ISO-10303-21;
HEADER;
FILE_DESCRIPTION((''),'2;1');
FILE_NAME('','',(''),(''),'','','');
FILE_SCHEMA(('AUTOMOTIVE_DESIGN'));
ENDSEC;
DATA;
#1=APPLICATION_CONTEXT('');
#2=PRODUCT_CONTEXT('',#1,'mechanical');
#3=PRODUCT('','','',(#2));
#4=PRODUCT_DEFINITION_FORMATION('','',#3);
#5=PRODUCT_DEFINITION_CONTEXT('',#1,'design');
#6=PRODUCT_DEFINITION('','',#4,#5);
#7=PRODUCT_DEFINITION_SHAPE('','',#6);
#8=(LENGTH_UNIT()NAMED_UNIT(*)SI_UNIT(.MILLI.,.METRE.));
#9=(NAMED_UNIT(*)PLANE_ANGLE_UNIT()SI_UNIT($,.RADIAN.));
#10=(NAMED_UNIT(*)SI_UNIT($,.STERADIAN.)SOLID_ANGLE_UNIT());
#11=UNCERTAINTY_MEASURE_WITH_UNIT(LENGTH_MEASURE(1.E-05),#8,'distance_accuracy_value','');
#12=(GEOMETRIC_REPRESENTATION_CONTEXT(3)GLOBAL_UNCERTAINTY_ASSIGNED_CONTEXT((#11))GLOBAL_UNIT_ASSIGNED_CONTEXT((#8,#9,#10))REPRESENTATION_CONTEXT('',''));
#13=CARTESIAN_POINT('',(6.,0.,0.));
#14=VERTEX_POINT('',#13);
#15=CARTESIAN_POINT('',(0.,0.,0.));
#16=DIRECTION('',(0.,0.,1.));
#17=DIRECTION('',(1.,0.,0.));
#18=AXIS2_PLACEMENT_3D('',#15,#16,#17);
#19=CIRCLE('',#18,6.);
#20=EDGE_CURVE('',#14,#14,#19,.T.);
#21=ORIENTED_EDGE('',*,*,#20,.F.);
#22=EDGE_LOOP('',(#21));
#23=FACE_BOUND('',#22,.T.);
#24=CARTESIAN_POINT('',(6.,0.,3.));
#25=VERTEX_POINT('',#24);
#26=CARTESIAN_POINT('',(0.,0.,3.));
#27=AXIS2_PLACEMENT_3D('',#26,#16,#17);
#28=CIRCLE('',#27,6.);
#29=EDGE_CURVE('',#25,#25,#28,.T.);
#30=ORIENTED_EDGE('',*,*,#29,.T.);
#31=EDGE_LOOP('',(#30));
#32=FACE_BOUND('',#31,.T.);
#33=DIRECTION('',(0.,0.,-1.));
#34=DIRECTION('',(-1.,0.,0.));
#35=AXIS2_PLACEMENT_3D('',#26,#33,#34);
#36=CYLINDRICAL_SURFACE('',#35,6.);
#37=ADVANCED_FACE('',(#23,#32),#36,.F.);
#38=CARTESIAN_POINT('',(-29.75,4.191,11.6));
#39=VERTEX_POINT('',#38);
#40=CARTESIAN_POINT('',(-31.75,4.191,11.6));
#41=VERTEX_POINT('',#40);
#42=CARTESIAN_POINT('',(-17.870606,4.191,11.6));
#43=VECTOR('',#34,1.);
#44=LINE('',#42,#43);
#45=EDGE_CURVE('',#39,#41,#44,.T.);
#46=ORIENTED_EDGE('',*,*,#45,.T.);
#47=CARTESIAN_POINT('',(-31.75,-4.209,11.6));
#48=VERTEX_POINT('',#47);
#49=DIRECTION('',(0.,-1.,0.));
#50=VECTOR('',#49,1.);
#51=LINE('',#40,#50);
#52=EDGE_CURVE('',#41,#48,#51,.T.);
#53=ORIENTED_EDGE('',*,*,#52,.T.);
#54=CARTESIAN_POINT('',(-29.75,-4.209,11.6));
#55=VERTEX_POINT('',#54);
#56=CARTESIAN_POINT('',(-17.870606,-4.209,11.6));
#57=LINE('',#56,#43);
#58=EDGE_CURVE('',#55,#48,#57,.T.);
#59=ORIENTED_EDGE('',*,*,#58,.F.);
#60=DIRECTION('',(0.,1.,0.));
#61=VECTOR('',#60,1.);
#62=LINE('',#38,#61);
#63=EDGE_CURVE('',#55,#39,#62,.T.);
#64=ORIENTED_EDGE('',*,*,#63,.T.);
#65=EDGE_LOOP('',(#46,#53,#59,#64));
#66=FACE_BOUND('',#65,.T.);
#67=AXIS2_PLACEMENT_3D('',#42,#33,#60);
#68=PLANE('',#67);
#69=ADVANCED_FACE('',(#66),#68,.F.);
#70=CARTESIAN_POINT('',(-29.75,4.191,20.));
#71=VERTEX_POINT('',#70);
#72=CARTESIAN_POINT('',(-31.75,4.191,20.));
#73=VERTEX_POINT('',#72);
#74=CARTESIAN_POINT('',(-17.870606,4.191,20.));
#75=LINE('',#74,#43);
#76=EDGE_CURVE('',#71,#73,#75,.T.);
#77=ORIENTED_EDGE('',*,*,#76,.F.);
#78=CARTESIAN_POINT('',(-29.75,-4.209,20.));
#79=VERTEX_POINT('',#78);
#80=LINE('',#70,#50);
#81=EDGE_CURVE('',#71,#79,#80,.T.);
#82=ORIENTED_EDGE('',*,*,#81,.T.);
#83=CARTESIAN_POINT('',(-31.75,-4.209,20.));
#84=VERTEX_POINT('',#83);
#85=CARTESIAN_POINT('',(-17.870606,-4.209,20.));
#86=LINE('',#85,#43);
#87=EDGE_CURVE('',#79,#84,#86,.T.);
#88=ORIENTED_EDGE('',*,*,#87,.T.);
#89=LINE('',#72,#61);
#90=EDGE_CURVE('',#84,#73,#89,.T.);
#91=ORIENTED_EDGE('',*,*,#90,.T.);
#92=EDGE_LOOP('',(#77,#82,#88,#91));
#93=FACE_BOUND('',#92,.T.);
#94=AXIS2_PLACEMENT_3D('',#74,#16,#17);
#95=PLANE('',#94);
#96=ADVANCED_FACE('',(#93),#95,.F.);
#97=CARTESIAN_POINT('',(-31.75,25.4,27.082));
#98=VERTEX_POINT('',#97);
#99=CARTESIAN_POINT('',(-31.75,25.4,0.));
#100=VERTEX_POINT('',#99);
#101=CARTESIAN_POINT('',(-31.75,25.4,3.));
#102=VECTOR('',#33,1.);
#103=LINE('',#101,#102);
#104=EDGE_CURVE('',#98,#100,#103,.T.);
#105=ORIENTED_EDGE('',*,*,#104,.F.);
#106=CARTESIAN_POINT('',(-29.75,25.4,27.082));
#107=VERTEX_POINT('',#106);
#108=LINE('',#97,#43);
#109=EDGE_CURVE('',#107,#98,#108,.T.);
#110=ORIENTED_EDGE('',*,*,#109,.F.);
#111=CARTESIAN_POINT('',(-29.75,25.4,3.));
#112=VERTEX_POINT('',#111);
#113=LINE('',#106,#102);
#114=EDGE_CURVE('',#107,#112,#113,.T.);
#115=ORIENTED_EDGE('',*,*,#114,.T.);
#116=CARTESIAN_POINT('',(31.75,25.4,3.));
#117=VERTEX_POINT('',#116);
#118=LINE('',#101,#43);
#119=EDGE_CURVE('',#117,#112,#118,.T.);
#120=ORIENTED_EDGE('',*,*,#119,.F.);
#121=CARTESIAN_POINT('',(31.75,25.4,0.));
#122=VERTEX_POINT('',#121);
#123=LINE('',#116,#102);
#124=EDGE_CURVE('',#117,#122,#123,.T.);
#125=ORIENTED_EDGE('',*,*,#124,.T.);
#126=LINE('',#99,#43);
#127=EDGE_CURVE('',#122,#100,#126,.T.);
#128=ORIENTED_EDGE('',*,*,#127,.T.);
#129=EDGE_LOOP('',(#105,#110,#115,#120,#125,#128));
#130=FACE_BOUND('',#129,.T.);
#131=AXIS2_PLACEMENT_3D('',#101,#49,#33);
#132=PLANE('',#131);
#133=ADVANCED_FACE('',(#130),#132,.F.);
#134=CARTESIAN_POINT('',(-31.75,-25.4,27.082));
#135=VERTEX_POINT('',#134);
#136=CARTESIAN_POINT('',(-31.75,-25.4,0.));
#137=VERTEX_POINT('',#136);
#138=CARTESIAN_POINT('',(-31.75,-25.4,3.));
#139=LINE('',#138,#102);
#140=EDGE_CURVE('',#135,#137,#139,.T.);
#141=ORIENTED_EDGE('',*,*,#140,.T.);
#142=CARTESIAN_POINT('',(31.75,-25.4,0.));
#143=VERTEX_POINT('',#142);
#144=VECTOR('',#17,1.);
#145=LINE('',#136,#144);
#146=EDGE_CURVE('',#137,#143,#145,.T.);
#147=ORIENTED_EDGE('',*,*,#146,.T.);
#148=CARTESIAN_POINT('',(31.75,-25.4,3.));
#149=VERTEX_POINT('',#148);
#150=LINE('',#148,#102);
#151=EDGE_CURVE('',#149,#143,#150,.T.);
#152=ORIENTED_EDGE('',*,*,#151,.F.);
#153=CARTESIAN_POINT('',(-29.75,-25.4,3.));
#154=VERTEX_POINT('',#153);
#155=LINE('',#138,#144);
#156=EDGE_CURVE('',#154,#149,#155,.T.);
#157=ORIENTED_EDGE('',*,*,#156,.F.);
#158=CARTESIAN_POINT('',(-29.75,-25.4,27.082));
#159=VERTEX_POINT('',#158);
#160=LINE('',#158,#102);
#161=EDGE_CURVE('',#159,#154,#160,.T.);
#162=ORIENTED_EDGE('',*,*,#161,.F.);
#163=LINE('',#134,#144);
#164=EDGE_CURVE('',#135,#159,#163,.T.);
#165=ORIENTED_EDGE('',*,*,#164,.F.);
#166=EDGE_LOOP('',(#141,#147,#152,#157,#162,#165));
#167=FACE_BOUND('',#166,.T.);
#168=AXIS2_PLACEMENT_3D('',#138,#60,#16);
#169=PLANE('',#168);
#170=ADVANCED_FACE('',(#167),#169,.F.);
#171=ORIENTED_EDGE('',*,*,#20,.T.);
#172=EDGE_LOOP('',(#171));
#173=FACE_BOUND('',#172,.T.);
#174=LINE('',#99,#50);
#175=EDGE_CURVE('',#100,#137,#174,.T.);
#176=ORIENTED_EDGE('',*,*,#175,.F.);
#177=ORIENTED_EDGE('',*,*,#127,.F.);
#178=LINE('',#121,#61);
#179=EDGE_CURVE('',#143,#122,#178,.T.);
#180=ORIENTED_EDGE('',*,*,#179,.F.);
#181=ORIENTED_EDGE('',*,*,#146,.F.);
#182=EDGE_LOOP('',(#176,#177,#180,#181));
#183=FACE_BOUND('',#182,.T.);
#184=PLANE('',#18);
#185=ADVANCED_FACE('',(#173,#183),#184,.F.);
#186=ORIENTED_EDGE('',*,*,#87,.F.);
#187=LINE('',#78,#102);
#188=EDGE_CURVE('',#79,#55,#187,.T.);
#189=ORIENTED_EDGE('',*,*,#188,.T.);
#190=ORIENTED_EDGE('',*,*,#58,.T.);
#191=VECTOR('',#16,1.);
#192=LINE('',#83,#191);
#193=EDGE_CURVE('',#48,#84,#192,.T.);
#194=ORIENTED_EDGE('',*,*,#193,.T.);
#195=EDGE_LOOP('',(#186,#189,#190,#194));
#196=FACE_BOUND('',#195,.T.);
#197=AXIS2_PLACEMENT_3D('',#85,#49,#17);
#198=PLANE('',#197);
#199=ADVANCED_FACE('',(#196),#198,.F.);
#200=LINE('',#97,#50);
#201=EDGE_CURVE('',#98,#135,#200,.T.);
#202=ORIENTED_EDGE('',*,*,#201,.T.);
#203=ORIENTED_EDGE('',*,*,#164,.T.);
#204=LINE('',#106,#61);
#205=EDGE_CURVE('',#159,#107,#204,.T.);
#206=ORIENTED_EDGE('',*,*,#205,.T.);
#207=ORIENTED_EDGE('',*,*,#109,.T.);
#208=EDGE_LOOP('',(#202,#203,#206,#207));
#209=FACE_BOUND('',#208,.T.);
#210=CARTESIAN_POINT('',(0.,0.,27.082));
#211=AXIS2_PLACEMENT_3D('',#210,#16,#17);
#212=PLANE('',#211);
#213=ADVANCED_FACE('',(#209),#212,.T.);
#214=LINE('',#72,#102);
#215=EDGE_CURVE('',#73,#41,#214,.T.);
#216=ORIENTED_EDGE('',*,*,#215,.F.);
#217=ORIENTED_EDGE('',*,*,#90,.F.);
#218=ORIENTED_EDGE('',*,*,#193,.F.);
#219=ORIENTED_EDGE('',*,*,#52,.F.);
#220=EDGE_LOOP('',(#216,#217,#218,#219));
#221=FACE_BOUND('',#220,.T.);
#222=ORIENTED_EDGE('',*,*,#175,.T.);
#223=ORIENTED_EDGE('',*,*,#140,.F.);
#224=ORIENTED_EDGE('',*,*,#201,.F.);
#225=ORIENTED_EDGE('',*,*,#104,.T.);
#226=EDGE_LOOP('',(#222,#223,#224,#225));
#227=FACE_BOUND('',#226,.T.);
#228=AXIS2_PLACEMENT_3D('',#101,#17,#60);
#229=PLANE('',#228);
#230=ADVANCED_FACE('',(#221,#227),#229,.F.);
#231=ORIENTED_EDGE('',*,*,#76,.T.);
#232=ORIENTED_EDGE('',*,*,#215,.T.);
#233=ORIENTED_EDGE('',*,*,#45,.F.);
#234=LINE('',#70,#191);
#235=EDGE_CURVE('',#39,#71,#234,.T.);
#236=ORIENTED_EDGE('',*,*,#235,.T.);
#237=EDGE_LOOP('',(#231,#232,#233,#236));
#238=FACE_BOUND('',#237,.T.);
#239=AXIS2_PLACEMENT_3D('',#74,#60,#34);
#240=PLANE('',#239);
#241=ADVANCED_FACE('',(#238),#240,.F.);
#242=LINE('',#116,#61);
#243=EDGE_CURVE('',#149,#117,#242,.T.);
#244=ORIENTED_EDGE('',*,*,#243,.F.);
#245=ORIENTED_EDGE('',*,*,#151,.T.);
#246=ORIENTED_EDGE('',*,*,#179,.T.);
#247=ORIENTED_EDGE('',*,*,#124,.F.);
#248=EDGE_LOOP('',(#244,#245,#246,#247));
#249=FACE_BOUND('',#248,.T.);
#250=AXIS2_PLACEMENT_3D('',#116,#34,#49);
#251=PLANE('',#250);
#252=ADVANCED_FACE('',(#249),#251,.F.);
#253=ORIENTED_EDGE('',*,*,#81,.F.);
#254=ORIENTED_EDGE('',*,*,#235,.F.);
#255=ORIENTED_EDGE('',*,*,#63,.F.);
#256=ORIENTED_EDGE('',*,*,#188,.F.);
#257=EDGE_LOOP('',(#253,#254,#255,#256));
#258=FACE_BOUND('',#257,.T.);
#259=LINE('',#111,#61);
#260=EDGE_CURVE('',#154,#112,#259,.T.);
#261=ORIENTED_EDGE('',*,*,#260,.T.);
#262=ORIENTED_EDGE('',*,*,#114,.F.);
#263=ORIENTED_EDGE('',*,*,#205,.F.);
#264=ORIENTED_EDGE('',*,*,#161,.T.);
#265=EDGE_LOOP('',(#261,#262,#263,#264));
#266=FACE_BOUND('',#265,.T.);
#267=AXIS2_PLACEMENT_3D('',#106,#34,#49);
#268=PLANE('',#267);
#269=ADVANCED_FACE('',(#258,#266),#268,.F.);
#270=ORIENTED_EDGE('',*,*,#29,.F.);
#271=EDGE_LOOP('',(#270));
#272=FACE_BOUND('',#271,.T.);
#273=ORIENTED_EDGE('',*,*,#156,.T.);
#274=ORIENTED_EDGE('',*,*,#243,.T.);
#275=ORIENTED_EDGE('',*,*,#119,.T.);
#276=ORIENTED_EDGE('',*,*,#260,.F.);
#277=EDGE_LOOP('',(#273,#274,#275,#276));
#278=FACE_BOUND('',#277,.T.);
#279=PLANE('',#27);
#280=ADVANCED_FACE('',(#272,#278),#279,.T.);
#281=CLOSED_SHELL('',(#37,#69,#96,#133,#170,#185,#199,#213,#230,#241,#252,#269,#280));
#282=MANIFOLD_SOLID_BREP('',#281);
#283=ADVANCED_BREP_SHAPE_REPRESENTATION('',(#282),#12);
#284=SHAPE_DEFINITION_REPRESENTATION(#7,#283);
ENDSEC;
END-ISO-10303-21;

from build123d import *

# Parameters (mm, degrees)
SKETCH1_W           = 63.5
SKETCH1_H           = 50.8
SKETCH1_R           = 6
BOSS_EXTRUDE1_DEPTH = 3
SKETCH2_W           = 2
SKETCH2_H           = 50.8
BOSS_EXTRUDE2_DEPTH = 24.082
SKETCH3_W           = 8.4
SKETCH3_H           = 8.4
CUT_EXTRUDE1_DEPTH  = 2


with BuildPart() as part:
    # Sketch1 → Boss-Extrude1 (new body)
    with BuildSketch(Plane.XY):
        Rectangle(SKETCH1_W, SKETCH1_H)
        Circle(SKETCH1_R, mode=Mode.SUBTRACT)
    extrude(amount=BOSS_EXTRUDE1_DEPTH)

    # Sketch2 → Boss-Extrude2 (add)
    with BuildSketch(Plane.XY.offset(3)):
        with Locations((-30.75, 0)):
            Rectangle(SKETCH2_W, SKETCH2_H)
    extrude(amount=BOSS_EXTRUDE2_DEPTH)

    # Sketch3 → Cut-Extrude1 (cut)
    with BuildSketch(Plane.ZY.offset(31.75)):
        with Locations((15.8, -0.009)):
            Rectangle(SKETCH3_W, SKETCH3_H)
    extrude(amount=-CUT_EXTRUDE1_DEPTH, mode=Mode.SUBTRACT)


solid = part.part
